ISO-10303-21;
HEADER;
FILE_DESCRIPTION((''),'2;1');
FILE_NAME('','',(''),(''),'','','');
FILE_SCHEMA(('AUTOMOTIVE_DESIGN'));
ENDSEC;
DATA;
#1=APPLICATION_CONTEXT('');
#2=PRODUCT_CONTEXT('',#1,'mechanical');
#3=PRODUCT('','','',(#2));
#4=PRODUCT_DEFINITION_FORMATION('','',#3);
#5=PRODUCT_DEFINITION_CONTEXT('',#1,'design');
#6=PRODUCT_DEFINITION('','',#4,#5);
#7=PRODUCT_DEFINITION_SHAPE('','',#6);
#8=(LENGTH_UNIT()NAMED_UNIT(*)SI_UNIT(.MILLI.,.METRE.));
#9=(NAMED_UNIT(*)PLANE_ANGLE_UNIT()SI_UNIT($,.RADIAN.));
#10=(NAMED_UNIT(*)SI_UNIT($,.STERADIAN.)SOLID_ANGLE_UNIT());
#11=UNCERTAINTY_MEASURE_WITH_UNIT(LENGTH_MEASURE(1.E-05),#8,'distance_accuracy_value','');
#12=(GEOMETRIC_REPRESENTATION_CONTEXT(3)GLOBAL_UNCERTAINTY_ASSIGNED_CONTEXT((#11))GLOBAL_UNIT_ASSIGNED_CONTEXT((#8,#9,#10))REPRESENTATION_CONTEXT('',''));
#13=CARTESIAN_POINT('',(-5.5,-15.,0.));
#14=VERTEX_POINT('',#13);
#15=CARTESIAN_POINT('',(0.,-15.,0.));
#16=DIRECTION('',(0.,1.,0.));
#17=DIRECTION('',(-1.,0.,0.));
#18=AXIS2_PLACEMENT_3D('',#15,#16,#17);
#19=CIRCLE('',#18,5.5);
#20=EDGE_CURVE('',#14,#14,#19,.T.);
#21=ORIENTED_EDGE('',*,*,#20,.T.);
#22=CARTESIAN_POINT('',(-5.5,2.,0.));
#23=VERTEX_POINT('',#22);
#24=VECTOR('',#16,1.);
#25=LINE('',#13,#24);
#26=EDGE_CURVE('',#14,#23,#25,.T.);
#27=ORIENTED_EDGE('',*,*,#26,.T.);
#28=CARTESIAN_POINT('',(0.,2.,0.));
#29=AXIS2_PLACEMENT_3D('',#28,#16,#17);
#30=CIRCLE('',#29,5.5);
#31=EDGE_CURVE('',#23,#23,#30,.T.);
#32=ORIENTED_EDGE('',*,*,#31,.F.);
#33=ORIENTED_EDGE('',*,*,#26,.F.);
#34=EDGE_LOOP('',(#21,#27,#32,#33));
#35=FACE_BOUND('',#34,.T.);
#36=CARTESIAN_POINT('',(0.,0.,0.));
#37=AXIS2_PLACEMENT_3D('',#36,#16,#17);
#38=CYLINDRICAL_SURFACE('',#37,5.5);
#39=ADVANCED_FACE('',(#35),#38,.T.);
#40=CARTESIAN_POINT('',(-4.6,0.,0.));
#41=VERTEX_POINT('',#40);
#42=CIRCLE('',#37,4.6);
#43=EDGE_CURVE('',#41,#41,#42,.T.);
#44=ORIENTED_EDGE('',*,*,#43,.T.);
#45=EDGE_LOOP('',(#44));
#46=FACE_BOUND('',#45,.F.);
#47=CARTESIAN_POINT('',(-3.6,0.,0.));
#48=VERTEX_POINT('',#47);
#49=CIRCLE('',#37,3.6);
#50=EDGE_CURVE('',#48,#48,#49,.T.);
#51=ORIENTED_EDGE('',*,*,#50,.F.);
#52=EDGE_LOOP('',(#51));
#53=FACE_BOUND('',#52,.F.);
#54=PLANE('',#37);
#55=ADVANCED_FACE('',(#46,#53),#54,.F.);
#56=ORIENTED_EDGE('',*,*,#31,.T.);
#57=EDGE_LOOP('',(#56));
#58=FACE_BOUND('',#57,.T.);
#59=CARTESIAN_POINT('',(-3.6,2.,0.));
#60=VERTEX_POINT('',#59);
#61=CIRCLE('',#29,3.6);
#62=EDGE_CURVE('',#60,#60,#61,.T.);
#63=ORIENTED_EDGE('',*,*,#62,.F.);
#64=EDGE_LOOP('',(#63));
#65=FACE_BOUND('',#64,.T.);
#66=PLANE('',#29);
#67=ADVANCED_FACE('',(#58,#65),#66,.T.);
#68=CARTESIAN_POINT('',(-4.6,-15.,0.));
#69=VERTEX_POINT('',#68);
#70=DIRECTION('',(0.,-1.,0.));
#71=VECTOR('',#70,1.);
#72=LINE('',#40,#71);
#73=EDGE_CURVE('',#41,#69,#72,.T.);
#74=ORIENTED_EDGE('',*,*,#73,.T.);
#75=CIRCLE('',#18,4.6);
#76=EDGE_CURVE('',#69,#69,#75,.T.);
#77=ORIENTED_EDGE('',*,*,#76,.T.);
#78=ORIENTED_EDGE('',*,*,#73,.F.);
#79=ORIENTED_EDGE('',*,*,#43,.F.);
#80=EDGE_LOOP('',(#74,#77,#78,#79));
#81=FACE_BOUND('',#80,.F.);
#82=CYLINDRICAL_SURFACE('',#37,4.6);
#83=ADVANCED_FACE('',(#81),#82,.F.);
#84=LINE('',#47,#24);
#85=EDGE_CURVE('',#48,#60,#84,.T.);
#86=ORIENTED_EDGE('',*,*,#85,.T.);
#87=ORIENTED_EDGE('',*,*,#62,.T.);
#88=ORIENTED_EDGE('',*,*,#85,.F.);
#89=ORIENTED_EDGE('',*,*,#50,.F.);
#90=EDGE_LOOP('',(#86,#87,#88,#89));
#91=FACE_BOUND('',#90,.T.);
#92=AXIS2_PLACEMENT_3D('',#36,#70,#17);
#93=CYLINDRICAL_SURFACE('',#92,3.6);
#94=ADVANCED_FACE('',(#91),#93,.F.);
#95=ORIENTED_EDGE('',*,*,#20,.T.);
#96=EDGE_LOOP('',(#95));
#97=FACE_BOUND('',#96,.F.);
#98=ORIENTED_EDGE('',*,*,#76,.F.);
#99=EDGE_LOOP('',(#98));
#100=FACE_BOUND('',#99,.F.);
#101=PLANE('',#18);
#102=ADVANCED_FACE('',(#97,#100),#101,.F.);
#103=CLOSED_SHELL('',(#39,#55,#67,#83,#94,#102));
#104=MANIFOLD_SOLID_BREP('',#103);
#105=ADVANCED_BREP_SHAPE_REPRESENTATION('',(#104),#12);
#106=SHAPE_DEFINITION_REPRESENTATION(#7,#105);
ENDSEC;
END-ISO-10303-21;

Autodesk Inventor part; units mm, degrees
ref_plane "YZ Plane" through (0, 0, 0) normal (1, 0, 0) x (0, 1, 0)
ref_plane "XZ Plane" through (0, 0, 0) normal (0, 1, 0) x (-1, 0, 0)
ref_plane "XY Plane" through (0, 0, 0) normal (0, 0, 1) x (1, 0, 0)
sketch "Sketch1" plane through (0, 0, 0) normal (0, 1, 0) x (-1, 0, 0)
  circle A0 centre (0, 0) radius 5.5
  circle A1 centre (0, 0) radius 3.6
  circle A2 centre (0, 0) radius 4.6
  dimension "d0" = 11
  dimension "d1" = 7.2
  dimension "d2" = 9.2
extrude "Extrusion1" add sketch "Sketch1" along normal blind 2 contours A0 | A2
extrude "Extrusion2" add sketch "Sketch1" against normal blind 15 contours A0
properties part number "button middle part 1"
